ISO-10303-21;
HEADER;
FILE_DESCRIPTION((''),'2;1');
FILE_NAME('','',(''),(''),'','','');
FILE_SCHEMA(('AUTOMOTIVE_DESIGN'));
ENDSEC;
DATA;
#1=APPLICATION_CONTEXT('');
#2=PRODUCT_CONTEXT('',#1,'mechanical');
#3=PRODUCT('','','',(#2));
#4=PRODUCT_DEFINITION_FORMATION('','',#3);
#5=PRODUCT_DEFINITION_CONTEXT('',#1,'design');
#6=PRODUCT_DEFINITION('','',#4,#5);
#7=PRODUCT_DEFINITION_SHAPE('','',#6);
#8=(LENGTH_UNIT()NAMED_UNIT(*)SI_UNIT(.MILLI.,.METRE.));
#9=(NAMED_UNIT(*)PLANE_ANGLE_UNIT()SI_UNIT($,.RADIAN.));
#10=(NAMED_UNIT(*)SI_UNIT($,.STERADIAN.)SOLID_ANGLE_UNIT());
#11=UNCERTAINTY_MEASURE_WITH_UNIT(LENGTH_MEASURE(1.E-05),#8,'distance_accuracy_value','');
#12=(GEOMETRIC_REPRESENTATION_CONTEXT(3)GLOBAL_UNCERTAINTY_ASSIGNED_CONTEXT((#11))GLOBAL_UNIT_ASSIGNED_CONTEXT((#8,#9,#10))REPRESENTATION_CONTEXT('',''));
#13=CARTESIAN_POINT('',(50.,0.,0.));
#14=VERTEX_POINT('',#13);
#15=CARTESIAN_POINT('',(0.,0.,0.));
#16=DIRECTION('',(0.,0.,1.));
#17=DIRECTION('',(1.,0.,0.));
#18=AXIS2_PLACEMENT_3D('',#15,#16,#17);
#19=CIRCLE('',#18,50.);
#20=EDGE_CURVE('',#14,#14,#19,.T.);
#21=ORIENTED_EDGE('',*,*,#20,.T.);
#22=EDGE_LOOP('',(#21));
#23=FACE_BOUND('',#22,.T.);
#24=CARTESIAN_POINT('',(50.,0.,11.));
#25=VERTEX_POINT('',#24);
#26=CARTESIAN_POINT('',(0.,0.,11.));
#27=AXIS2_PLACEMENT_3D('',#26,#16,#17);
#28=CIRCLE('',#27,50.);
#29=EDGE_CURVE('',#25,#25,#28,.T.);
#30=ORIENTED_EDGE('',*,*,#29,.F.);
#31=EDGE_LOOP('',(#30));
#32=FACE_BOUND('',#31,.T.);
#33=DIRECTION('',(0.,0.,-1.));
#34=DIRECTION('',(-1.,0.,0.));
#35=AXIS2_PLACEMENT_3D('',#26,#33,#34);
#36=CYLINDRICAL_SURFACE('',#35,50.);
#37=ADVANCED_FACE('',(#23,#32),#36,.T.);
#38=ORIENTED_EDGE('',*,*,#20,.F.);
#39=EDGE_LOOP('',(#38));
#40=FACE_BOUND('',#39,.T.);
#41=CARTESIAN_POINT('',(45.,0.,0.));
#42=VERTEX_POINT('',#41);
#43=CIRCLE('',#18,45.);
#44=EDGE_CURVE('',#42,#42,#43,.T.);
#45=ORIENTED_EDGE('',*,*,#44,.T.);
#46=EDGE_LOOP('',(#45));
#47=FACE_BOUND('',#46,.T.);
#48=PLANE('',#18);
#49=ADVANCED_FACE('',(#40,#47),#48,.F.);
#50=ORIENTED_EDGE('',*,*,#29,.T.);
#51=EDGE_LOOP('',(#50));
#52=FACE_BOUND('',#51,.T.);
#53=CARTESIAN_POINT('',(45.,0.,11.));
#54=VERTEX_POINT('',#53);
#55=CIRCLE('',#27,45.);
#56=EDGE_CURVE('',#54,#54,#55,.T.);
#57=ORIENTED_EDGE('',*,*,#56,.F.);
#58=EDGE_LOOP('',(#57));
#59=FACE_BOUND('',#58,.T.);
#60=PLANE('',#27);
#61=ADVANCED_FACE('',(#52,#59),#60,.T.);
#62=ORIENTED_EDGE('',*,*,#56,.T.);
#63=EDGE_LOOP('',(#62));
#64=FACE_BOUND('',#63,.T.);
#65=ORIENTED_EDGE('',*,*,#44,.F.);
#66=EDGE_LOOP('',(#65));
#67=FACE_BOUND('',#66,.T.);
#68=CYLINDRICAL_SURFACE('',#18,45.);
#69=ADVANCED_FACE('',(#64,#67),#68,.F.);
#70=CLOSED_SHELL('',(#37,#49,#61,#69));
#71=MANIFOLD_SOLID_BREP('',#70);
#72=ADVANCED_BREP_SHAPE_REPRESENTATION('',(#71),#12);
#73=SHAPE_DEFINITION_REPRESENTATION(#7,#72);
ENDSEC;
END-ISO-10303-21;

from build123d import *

# Parameters (mm, degrees)
SKIZZE1_R                            = 50
AUFSATZ_LINEAR_AUSTRAGEN1_DEPTH      = 11
SCHNITT_LINEAR_AUSTRAGEN1_DEPTH      = 72.561162651
SCHNITT_LINEAR_AUSTRAGEN1_DEPTH_BACK = 72.561162651
SKIZZE2_R                            = 45


with BuildPart() as part:
    # Skizze1 → Aufsatz-Linear austragen1 (new body)
    with BuildSketch(Plane.XY):
        Circle(SKIZZE1_R)
    extrude(amount=AUFSATZ_LINEAR_AUSTRAGEN1_DEPTH)

    # Skizze2 → Schnitt-Linear austragen1 (cut, two sides: drawn at the far end of the back side and taken through both)
    with BuildSketch(Plane.XY.offset(11).offset(-SCHNITT_LINEAR_AUSTRAGEN1_DEPTH_BACK)):
        Circle(SKIZZE2_R)
    extrude(amount=SCHNITT_LINEAR_AUSTRAGEN1_DEPTH + SCHNITT_LINEAR_AUSTRAGEN1_DEPTH_BACK, mode=Mode.SUBTRACT)


solid = part.part
